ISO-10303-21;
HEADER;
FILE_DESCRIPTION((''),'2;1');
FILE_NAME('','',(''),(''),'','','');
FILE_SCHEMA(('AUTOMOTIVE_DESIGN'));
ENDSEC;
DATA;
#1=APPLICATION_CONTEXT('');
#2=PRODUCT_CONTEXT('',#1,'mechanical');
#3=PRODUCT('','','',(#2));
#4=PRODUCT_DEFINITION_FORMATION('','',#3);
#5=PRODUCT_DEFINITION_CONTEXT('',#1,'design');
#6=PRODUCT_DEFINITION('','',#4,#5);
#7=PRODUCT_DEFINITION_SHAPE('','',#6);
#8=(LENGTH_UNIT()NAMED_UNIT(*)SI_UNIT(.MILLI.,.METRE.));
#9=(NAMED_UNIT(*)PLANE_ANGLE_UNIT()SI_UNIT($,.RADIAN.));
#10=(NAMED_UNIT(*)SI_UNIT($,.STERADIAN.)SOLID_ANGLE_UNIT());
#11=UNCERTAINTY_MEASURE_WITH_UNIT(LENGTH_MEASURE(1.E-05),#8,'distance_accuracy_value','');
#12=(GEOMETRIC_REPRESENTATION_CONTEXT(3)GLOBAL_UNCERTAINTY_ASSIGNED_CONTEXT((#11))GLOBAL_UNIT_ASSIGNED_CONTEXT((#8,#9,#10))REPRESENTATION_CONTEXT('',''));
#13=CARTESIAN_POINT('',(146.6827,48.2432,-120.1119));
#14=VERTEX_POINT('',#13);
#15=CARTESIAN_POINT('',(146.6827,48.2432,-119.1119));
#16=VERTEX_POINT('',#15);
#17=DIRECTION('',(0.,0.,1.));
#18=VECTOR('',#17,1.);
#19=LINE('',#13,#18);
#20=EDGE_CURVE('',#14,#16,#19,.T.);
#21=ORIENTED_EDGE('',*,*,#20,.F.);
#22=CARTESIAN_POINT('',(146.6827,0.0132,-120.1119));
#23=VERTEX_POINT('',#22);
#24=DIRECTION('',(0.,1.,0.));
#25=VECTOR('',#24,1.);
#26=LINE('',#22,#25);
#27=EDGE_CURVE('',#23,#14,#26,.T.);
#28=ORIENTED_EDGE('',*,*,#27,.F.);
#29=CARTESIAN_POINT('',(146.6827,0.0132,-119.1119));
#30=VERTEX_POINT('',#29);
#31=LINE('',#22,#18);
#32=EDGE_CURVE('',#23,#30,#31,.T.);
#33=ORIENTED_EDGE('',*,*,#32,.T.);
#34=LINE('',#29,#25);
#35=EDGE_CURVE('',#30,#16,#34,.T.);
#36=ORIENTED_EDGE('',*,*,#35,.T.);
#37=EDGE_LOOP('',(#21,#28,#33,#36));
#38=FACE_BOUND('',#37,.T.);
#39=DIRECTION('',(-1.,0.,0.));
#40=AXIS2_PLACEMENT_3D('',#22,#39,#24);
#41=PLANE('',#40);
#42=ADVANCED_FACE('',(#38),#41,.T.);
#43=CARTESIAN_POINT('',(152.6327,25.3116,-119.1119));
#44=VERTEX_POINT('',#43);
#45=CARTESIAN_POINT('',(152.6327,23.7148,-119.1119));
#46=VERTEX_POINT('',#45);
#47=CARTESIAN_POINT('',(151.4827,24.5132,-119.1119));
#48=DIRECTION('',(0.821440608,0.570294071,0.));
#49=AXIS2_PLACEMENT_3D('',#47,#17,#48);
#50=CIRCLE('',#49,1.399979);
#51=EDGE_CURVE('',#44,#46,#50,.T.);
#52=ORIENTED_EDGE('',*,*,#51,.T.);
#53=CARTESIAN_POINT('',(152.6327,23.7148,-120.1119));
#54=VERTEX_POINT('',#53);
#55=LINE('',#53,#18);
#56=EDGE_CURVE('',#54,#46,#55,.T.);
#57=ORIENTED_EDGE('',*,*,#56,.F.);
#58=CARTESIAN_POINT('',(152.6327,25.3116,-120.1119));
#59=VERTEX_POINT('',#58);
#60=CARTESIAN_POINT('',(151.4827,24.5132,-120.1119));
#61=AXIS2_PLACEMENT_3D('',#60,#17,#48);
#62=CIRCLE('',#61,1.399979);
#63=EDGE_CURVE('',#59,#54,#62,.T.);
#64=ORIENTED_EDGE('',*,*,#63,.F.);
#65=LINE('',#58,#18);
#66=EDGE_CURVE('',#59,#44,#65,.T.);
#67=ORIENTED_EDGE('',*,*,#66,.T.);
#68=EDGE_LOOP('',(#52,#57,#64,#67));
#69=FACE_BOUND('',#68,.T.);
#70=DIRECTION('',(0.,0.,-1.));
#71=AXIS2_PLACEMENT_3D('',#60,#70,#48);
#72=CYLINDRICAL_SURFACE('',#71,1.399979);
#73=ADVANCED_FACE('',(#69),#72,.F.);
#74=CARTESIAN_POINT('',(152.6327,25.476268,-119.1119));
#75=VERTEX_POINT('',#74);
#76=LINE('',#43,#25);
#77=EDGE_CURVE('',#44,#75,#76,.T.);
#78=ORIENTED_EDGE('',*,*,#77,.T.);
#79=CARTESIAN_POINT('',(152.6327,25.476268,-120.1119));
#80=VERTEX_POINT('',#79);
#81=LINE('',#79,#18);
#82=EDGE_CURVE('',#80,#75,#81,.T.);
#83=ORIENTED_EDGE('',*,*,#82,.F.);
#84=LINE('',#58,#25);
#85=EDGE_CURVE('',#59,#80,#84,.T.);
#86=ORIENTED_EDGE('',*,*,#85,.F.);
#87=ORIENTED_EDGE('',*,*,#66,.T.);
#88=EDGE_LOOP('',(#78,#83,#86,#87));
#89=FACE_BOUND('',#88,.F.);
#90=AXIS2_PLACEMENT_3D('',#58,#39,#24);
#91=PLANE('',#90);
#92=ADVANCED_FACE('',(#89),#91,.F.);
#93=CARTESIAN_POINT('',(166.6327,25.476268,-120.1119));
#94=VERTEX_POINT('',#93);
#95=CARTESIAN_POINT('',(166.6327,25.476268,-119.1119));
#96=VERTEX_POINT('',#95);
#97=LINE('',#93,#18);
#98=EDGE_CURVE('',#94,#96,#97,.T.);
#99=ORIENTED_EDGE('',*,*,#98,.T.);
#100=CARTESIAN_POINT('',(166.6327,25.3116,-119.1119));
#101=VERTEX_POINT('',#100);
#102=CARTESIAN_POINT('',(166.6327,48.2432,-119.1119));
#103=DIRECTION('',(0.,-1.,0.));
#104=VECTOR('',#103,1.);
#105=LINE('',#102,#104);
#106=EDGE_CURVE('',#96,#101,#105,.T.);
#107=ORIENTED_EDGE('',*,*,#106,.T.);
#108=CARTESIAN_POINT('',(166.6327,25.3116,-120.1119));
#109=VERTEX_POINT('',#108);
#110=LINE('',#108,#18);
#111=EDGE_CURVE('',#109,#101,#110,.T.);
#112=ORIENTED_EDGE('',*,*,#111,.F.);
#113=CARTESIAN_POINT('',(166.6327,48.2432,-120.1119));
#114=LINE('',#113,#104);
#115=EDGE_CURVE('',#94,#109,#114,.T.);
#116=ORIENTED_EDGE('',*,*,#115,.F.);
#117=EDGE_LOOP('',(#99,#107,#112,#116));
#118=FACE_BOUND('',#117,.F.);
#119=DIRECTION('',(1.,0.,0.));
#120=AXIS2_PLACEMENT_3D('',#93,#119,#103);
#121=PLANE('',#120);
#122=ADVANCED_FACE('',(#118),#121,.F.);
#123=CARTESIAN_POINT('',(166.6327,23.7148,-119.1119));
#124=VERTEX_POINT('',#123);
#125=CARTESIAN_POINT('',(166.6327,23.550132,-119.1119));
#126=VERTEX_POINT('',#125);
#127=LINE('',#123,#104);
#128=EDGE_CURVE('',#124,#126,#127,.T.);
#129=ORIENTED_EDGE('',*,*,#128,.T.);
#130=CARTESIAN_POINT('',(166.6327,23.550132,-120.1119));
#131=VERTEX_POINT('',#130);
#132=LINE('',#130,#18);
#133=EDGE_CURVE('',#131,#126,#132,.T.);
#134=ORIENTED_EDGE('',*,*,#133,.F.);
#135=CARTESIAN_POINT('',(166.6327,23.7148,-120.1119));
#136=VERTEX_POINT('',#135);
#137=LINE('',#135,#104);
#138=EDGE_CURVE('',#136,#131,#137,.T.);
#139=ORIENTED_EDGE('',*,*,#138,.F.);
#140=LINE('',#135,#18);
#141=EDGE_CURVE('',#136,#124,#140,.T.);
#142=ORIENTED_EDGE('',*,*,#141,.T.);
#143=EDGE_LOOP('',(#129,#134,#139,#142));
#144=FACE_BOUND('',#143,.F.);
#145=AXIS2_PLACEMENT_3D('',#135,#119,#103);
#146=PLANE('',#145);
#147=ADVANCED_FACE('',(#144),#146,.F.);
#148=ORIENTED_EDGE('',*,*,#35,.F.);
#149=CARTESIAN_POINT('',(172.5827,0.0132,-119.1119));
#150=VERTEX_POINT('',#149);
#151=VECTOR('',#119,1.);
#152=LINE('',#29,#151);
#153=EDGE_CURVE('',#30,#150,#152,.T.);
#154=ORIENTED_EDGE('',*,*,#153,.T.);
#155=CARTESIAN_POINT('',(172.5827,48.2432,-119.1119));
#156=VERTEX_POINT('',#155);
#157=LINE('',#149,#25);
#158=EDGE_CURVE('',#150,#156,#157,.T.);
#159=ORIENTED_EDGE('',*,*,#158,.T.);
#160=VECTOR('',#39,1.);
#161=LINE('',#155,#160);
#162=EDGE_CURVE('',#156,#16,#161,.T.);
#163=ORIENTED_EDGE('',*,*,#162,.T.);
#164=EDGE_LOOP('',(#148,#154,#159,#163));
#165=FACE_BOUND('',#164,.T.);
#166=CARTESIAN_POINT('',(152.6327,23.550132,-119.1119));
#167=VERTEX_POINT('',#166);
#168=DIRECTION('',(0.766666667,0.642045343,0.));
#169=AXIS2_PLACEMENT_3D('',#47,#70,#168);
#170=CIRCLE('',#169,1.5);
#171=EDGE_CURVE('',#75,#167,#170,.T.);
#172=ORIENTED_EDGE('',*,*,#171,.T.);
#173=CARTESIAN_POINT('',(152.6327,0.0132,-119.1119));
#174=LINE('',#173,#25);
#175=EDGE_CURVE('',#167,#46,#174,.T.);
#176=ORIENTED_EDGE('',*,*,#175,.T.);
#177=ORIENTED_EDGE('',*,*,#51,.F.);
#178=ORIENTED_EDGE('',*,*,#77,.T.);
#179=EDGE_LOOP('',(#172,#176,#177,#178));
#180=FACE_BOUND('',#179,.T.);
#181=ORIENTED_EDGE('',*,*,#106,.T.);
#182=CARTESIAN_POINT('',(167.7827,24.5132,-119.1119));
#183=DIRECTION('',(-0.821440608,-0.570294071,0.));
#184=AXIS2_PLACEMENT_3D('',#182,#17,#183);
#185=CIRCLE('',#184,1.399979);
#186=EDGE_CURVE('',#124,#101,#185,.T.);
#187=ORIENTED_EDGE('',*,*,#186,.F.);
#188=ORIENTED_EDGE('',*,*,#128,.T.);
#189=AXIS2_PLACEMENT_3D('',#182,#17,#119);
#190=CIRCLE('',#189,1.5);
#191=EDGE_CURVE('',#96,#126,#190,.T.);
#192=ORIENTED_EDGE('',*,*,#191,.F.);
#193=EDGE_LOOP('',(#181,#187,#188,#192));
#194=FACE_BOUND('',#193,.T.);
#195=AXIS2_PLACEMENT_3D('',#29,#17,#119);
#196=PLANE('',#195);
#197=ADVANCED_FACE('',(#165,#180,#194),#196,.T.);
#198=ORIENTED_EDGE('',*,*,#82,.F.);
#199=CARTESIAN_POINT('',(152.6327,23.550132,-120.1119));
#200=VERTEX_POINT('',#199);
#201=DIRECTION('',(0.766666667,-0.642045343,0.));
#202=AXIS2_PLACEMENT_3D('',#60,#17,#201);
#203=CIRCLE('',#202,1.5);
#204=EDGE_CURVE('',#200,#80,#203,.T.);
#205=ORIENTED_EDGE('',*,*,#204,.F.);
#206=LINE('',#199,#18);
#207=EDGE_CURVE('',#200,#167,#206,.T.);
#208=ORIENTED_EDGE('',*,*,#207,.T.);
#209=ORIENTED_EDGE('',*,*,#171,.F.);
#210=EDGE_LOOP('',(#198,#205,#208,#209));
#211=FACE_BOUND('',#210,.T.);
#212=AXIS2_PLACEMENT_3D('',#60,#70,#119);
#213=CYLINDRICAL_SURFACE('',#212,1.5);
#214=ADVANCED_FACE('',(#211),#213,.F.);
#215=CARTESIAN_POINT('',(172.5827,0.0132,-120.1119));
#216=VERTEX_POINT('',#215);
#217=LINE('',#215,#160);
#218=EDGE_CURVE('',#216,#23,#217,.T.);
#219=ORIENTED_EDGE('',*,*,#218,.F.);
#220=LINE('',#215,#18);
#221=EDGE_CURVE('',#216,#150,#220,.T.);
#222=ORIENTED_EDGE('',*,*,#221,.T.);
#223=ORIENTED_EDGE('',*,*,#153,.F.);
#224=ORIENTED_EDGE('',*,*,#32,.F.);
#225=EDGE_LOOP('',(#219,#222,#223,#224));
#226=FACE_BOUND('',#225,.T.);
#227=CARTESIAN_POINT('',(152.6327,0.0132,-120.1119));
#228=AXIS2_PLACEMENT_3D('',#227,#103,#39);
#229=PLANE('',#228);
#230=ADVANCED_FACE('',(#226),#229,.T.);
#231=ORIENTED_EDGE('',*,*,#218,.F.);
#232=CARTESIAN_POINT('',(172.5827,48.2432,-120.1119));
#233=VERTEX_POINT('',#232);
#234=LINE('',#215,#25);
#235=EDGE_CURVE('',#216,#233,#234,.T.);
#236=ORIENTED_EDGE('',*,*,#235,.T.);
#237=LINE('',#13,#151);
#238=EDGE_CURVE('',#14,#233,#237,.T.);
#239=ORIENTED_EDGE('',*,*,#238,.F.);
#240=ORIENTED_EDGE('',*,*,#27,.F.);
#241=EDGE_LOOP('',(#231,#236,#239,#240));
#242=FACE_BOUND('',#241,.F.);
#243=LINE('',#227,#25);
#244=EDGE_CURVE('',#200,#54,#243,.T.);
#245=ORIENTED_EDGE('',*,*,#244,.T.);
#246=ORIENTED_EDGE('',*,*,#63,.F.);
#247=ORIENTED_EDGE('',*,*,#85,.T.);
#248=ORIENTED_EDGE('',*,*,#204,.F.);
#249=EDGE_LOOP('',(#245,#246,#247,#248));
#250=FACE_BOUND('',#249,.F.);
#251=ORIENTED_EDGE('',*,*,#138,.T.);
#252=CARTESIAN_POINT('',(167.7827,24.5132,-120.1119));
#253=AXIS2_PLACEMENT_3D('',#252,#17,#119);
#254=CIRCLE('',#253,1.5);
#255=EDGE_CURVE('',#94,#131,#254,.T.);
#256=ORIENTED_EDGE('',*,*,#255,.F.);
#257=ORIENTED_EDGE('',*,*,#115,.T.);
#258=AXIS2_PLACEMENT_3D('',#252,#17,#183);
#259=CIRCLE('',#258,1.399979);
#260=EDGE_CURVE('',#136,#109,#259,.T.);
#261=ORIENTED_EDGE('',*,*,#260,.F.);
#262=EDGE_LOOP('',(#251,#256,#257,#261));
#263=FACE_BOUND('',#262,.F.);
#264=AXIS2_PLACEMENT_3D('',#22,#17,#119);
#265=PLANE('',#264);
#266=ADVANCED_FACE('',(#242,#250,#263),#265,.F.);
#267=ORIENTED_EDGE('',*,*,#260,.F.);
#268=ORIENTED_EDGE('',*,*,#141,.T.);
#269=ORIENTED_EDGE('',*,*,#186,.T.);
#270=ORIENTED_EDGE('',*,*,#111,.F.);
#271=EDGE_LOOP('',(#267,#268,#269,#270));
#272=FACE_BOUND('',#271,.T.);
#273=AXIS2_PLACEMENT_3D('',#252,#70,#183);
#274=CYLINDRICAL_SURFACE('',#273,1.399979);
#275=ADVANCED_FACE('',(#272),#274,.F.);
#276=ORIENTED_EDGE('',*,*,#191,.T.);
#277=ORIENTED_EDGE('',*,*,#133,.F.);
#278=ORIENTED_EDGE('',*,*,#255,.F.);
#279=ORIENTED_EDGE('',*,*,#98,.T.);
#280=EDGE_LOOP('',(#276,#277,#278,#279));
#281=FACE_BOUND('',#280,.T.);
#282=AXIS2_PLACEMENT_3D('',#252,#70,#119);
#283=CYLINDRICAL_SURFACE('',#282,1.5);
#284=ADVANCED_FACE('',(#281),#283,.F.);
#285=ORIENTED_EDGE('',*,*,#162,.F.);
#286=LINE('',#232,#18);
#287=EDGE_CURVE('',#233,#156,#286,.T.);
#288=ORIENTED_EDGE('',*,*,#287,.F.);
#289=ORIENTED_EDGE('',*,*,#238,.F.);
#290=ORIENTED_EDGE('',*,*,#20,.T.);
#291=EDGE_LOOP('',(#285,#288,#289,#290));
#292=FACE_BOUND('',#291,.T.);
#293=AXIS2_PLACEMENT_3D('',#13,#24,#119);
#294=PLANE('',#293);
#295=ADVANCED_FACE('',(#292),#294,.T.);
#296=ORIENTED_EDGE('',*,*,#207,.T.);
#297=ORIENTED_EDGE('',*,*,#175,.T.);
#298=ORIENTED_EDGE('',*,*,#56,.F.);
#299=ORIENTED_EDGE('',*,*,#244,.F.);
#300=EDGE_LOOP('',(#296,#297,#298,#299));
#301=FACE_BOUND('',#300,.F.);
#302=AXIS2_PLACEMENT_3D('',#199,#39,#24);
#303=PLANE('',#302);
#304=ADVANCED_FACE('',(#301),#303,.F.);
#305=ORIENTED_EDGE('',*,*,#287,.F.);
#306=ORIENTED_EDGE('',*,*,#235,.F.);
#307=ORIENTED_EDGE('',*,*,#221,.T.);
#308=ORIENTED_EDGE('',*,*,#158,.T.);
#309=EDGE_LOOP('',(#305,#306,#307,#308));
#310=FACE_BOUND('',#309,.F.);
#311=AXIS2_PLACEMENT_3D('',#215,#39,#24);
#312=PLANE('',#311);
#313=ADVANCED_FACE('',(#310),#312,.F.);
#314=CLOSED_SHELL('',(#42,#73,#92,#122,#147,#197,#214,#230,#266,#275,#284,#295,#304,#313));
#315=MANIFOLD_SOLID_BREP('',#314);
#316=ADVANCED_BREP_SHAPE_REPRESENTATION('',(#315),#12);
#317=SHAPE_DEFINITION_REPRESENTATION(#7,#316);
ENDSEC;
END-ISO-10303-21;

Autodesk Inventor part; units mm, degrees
ref_plane "YZ Plane" through (0, 0, 0) normal (1, 0, 0) x (0, 1, 0)
ref_plane "XZ Plane" through (0, 0, 0) normal (0, 1, 0) x (-1, 0, 0)
ref_plane "XY Plane" through (0, 0, 0) normal (0, 0, 1) x (1, 0, 0)
ref_plane "Work Plane1" through (146.6827, 0.0132, -120.1119) normal (0, 0, 1) x (1, 0, 0)
sketch "Sketch1" plane through (146.6827, 0.0132, -120.1119) normal (0, 0, 1) x (1, 0, 0)
  arc A0 (5.95, 25.2984) -> (5.95, 23.7016) centre (4.8, 24.5) ccw projected
  line L0 (5.95, 25.2984) -> (5.95, 48.23) projected
  line L1 (0, 48.23) -> (5.95, 48.23) projected
  line L2 (0, 0) -> (0, 48.23) projected
  line L3 (5.95, 0) -> (0, 0) projected
  line L4 (5.95, 0) -> (5.95, 23.7016) projected
  arc A1 (19.95, 23.7016) -> (19.95, 25.2984) centre (21.1, 24.5) ccw projected
  line L5 (19.95, 23.7016) -> (19.95, 0) projected
  line L6 (25.9, 0) -> (19.95, 0) projected
  line L7 (25.9, 0) -> (25.9, 48.23) projected
  line L8 (19.95, 48.23) -> (25.9, 48.23) projected
  line L9 (19.95, 48.23) -> (19.95, 25.2984) projected
  line L10 (0, 48.23) -> (25.9, 48.23)
  line L11 (25.9, 48.23) -> (25.9, 0)
  line L12 (25.9, 0) -> (0, 0)
  line L13 (0, 0) -> (0, 48.23)
  circle A2 centre (4.8, 24.5) radius 1.5
  circle A3 centre (21.1, 24.5) radius 1.5
  point P0 (-146.6827, -0.0132)
  dimension "d0" = 3
  dimension "d1" = 3
extrude "Extrusion1" add sketch "Sketch1" along normal blind 1 contours A0 L4 A2 L0 | A2 L4 L3 L2 L1 L0 | L0 L10 L9 A3 L5 L12 L4 A2 | L8 L7 L6 L5 A3 L9 | A3 L5 A1 L9 picked at (3.3735, 24.5) picked at (22.5265, 24.5)
properties part number "cellSTORM_v5_laser_532nm_adapter"
